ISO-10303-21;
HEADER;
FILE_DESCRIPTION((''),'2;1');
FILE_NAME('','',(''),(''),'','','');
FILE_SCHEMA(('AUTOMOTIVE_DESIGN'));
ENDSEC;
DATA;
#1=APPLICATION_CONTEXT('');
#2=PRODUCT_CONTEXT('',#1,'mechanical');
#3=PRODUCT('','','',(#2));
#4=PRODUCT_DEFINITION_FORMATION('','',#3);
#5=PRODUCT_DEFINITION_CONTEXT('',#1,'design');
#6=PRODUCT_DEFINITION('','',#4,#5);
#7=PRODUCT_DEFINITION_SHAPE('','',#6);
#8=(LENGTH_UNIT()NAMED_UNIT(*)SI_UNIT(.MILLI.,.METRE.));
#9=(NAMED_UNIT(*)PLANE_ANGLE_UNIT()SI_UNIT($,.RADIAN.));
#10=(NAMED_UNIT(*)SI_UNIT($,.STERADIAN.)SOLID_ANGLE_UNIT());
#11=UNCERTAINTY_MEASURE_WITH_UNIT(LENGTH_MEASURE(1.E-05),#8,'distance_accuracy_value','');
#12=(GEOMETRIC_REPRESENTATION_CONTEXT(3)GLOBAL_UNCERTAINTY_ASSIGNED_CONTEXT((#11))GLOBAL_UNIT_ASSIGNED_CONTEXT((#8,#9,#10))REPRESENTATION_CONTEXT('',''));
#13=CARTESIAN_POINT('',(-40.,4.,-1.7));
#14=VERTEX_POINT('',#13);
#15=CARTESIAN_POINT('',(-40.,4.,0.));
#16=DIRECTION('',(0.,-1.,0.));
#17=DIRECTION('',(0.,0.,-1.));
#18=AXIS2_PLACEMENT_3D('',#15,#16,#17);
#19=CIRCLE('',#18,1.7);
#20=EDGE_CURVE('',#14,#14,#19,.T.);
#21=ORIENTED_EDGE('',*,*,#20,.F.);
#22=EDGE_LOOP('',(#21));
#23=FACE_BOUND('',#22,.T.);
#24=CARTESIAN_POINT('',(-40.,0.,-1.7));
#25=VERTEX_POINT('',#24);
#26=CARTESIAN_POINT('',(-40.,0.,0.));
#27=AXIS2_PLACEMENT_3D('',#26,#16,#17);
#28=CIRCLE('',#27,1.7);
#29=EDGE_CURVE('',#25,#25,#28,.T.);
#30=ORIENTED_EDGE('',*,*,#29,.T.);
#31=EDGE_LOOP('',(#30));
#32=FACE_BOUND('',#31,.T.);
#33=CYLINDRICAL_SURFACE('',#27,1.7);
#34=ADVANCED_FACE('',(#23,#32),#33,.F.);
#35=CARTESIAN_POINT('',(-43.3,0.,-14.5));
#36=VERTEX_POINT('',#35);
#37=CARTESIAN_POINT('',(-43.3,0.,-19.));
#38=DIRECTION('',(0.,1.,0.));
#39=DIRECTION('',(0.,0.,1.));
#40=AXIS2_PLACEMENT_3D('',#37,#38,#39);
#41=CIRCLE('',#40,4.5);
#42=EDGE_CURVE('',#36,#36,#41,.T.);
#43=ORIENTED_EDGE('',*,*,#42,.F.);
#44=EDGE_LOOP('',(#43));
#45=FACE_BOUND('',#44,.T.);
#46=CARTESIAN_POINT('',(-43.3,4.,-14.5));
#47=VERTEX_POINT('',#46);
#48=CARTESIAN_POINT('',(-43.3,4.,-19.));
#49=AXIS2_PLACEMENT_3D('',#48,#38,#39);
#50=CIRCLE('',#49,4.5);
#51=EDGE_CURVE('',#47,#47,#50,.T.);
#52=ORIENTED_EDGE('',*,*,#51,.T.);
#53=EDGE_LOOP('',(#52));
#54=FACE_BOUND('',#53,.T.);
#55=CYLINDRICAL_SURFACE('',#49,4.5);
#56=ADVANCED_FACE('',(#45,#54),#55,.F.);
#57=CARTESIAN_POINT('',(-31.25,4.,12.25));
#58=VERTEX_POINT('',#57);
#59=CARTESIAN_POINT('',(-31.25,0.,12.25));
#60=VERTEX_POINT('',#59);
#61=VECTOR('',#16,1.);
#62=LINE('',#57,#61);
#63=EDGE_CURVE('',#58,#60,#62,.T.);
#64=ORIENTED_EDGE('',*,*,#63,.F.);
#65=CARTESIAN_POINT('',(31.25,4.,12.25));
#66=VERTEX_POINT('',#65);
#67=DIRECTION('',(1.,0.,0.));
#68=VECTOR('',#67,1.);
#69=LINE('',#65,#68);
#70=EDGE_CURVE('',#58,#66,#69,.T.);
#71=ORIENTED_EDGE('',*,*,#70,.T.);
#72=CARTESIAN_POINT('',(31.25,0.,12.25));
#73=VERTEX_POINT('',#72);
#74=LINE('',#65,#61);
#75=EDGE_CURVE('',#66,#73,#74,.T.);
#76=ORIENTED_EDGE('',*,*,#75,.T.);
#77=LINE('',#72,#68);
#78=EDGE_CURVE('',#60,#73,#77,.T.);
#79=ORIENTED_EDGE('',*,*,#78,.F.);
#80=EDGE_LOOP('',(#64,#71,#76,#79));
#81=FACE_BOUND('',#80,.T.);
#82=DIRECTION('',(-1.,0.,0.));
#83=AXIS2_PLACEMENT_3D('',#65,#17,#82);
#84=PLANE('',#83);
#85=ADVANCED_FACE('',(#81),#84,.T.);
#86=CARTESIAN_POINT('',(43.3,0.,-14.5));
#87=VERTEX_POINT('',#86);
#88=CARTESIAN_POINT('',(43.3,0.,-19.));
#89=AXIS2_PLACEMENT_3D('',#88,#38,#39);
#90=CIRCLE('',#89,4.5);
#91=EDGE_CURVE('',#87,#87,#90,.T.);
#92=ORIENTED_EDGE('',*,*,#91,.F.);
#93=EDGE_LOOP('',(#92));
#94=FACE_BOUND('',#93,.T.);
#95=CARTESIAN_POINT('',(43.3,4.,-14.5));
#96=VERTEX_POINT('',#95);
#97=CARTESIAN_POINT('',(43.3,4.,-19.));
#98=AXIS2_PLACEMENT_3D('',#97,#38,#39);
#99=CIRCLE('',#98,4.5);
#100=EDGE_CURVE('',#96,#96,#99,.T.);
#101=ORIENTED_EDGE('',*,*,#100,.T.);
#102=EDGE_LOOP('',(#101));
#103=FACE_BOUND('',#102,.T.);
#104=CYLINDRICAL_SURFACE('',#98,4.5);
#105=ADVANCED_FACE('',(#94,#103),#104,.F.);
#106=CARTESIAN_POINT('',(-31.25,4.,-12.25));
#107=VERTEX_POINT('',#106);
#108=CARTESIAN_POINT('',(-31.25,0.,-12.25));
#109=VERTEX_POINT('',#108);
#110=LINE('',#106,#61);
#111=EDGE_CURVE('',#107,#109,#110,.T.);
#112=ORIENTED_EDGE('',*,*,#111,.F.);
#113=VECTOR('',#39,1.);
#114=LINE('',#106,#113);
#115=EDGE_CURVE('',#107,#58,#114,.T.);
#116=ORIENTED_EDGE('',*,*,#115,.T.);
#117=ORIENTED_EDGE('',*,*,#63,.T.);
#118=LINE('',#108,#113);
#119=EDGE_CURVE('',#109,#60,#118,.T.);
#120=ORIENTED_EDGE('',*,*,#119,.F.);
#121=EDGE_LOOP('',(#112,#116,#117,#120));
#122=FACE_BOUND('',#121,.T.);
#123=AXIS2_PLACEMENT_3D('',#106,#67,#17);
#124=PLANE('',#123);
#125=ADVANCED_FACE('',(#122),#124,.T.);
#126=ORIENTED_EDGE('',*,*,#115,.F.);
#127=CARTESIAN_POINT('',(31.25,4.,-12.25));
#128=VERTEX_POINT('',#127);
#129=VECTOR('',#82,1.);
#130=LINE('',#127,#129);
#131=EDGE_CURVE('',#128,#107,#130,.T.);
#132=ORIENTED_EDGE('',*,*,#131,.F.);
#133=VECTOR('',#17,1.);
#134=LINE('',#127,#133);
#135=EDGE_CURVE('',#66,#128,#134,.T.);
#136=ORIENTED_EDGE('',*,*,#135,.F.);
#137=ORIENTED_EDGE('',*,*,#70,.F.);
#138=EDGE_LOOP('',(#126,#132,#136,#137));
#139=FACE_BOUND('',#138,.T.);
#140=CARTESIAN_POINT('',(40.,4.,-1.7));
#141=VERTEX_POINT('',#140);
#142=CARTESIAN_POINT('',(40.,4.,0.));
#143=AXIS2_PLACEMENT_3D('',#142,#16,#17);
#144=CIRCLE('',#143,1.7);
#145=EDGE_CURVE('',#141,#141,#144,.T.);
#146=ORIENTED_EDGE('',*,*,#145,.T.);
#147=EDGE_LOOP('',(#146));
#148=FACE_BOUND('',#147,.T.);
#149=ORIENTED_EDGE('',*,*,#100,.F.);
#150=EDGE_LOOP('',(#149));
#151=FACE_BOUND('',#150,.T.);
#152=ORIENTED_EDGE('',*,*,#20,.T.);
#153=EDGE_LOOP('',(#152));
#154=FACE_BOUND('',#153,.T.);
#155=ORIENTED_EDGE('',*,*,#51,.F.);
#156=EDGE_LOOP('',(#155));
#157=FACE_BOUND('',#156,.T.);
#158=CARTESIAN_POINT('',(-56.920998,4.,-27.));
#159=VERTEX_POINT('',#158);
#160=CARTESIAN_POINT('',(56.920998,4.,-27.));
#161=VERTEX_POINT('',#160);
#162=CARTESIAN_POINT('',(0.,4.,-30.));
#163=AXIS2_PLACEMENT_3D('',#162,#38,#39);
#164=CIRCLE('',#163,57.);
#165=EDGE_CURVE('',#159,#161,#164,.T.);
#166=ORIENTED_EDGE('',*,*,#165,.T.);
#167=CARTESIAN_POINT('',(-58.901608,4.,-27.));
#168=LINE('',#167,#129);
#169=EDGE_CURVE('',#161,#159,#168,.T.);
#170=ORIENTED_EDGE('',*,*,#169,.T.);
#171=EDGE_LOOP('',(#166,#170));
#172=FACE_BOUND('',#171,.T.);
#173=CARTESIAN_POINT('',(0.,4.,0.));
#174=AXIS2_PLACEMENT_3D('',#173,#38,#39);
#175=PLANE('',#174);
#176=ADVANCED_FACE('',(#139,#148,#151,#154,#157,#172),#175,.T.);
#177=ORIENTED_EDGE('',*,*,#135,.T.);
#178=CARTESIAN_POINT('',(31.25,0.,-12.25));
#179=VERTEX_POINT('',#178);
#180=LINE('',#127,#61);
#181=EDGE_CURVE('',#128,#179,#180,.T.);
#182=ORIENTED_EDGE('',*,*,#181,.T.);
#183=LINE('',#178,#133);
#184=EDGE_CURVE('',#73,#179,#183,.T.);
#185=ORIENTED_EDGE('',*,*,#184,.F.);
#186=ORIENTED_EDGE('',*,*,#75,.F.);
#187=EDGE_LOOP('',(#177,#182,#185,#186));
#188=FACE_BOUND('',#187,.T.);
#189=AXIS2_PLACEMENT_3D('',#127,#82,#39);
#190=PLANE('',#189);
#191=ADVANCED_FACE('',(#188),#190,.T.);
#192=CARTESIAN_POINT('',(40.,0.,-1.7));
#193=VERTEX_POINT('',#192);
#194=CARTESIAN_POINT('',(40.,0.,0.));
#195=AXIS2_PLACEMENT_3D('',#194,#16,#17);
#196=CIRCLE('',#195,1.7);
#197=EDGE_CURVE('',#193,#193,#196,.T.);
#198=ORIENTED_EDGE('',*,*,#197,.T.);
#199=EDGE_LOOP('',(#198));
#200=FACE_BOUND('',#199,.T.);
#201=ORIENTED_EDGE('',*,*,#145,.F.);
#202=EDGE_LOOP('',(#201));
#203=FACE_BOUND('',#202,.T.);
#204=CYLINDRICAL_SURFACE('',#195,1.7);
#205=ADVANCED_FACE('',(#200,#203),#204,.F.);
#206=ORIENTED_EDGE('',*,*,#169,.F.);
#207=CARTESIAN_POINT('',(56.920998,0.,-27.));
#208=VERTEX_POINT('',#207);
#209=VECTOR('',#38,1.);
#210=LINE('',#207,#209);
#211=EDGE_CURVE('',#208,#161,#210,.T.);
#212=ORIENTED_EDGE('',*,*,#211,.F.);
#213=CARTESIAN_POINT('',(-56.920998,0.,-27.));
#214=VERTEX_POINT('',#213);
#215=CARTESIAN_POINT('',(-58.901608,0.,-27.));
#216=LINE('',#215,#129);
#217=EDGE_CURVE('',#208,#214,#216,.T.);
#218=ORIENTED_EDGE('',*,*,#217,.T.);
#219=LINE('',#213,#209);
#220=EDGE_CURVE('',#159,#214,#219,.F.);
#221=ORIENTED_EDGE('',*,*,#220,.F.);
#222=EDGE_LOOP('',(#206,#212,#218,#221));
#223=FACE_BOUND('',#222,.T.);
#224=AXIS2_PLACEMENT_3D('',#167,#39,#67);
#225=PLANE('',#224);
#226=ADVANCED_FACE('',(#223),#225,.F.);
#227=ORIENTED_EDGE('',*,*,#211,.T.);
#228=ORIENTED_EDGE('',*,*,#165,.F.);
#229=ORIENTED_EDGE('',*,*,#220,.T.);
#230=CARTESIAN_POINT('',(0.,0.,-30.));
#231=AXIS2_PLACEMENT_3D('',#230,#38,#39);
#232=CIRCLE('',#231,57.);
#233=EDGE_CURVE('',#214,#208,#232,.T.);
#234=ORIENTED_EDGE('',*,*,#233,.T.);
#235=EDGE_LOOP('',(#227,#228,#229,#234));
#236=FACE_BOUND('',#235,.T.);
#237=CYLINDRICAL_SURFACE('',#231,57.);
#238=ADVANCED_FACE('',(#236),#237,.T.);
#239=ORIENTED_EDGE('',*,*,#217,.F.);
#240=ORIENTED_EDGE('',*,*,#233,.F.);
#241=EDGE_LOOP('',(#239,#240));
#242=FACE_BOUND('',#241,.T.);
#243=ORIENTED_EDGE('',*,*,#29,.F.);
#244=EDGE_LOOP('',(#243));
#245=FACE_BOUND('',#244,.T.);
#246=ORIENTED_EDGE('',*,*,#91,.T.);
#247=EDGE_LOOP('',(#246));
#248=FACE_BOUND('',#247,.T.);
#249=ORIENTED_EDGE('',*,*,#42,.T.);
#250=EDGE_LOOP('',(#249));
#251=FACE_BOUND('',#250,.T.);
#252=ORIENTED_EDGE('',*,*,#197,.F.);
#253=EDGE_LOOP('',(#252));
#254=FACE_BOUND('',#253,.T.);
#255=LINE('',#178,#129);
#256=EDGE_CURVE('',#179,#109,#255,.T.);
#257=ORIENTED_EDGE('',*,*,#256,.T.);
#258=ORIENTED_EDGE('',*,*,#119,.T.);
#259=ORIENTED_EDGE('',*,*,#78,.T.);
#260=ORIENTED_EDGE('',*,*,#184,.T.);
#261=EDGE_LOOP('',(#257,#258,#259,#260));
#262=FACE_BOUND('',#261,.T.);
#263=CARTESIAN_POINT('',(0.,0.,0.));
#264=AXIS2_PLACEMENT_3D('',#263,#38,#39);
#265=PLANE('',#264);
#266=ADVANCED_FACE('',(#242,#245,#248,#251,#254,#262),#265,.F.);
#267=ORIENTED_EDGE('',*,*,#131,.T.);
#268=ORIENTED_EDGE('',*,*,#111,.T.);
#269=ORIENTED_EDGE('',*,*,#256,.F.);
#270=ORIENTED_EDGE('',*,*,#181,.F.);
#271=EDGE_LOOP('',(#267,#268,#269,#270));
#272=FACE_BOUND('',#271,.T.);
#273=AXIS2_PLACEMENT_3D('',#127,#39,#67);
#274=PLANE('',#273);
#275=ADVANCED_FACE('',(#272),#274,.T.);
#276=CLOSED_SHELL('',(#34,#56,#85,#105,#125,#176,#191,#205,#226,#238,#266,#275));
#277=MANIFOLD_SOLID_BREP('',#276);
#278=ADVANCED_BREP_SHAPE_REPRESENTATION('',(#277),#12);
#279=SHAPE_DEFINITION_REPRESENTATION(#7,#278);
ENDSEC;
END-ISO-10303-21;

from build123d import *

# Parameters (mm, degrees)
ESQUISSE1_W             = 62.5
ESQUISSE1_H             = 24.5
BOSS_EXTRU_1_DEPTH      = 4
D_GAGEMENT_M81_D        = 9
ESQUISSE5_R             = 132
ESQUISSE5_R_2           = 57
ENL_V_MAT_EXTRU_1_DEPTH = 73.705605447
D_GAGEMENT_M31_D        = 3.4


with BuildPart() as part:
    # Esquisse1 → Boss.-Extru.1 (new body)
    with BuildSketch(Plane(origin=(0, 0, 0), x_dir=(1, 0, 0), z_dir=(0, 1, 0))):
        Polygon((-58.901607841, -13.53209338), (-58.901607841, 27), (59.427941441, 27), (59.427941441, -12.756380319), (59.427941441, -41.694422162), (-58.901607841, -41.694422162), align=None)
        Rectangle(ESQUISSE1_W, ESQUISSE1_H, mode=Mode.SUBTRACT)
    extrude(amount=BOSS_EXTRU_1_DEPTH)

    # Dégagement M81 (through all)
    with Locations(Plane(origin=(0, 4, 0), x_dir=(1, 0, 0), z_dir=(0, 1, 0))):
        with Locations((-43.3, 19), (43.3, 19)):
            Hole(D_GAGEMENT_M81_D / 2)

    # Esquisse5 → Enlèv. mat.-Extru.1 (cut, through all)
    with BuildSketch(Plane(origin=(0, 4, 0), x_dir=(1, 0, 0), z_dir=(0, 1, 0))):
        with Locations((0, 30)):
            Circle(ESQUISSE5_R)
        with Locations((0, 30)):
            Circle(ESQUISSE5_R_2, mode=Mode.SUBTRACT)
    extrude(amount=-ENL_V_MAT_EXTRU_1_DEPTH, mode=Mode.SUBTRACT)

    # Dégagement M31 (through all)
    with Locations(Plane(origin=(0, 0, 0), x_dir=(-1, 0, 0), z_dir=(0, -1, 0))):
        with Locations((-40, 0), (40, 0)):
            Hole(D_GAGEMENT_M31_D / 2)


solid = part.part
